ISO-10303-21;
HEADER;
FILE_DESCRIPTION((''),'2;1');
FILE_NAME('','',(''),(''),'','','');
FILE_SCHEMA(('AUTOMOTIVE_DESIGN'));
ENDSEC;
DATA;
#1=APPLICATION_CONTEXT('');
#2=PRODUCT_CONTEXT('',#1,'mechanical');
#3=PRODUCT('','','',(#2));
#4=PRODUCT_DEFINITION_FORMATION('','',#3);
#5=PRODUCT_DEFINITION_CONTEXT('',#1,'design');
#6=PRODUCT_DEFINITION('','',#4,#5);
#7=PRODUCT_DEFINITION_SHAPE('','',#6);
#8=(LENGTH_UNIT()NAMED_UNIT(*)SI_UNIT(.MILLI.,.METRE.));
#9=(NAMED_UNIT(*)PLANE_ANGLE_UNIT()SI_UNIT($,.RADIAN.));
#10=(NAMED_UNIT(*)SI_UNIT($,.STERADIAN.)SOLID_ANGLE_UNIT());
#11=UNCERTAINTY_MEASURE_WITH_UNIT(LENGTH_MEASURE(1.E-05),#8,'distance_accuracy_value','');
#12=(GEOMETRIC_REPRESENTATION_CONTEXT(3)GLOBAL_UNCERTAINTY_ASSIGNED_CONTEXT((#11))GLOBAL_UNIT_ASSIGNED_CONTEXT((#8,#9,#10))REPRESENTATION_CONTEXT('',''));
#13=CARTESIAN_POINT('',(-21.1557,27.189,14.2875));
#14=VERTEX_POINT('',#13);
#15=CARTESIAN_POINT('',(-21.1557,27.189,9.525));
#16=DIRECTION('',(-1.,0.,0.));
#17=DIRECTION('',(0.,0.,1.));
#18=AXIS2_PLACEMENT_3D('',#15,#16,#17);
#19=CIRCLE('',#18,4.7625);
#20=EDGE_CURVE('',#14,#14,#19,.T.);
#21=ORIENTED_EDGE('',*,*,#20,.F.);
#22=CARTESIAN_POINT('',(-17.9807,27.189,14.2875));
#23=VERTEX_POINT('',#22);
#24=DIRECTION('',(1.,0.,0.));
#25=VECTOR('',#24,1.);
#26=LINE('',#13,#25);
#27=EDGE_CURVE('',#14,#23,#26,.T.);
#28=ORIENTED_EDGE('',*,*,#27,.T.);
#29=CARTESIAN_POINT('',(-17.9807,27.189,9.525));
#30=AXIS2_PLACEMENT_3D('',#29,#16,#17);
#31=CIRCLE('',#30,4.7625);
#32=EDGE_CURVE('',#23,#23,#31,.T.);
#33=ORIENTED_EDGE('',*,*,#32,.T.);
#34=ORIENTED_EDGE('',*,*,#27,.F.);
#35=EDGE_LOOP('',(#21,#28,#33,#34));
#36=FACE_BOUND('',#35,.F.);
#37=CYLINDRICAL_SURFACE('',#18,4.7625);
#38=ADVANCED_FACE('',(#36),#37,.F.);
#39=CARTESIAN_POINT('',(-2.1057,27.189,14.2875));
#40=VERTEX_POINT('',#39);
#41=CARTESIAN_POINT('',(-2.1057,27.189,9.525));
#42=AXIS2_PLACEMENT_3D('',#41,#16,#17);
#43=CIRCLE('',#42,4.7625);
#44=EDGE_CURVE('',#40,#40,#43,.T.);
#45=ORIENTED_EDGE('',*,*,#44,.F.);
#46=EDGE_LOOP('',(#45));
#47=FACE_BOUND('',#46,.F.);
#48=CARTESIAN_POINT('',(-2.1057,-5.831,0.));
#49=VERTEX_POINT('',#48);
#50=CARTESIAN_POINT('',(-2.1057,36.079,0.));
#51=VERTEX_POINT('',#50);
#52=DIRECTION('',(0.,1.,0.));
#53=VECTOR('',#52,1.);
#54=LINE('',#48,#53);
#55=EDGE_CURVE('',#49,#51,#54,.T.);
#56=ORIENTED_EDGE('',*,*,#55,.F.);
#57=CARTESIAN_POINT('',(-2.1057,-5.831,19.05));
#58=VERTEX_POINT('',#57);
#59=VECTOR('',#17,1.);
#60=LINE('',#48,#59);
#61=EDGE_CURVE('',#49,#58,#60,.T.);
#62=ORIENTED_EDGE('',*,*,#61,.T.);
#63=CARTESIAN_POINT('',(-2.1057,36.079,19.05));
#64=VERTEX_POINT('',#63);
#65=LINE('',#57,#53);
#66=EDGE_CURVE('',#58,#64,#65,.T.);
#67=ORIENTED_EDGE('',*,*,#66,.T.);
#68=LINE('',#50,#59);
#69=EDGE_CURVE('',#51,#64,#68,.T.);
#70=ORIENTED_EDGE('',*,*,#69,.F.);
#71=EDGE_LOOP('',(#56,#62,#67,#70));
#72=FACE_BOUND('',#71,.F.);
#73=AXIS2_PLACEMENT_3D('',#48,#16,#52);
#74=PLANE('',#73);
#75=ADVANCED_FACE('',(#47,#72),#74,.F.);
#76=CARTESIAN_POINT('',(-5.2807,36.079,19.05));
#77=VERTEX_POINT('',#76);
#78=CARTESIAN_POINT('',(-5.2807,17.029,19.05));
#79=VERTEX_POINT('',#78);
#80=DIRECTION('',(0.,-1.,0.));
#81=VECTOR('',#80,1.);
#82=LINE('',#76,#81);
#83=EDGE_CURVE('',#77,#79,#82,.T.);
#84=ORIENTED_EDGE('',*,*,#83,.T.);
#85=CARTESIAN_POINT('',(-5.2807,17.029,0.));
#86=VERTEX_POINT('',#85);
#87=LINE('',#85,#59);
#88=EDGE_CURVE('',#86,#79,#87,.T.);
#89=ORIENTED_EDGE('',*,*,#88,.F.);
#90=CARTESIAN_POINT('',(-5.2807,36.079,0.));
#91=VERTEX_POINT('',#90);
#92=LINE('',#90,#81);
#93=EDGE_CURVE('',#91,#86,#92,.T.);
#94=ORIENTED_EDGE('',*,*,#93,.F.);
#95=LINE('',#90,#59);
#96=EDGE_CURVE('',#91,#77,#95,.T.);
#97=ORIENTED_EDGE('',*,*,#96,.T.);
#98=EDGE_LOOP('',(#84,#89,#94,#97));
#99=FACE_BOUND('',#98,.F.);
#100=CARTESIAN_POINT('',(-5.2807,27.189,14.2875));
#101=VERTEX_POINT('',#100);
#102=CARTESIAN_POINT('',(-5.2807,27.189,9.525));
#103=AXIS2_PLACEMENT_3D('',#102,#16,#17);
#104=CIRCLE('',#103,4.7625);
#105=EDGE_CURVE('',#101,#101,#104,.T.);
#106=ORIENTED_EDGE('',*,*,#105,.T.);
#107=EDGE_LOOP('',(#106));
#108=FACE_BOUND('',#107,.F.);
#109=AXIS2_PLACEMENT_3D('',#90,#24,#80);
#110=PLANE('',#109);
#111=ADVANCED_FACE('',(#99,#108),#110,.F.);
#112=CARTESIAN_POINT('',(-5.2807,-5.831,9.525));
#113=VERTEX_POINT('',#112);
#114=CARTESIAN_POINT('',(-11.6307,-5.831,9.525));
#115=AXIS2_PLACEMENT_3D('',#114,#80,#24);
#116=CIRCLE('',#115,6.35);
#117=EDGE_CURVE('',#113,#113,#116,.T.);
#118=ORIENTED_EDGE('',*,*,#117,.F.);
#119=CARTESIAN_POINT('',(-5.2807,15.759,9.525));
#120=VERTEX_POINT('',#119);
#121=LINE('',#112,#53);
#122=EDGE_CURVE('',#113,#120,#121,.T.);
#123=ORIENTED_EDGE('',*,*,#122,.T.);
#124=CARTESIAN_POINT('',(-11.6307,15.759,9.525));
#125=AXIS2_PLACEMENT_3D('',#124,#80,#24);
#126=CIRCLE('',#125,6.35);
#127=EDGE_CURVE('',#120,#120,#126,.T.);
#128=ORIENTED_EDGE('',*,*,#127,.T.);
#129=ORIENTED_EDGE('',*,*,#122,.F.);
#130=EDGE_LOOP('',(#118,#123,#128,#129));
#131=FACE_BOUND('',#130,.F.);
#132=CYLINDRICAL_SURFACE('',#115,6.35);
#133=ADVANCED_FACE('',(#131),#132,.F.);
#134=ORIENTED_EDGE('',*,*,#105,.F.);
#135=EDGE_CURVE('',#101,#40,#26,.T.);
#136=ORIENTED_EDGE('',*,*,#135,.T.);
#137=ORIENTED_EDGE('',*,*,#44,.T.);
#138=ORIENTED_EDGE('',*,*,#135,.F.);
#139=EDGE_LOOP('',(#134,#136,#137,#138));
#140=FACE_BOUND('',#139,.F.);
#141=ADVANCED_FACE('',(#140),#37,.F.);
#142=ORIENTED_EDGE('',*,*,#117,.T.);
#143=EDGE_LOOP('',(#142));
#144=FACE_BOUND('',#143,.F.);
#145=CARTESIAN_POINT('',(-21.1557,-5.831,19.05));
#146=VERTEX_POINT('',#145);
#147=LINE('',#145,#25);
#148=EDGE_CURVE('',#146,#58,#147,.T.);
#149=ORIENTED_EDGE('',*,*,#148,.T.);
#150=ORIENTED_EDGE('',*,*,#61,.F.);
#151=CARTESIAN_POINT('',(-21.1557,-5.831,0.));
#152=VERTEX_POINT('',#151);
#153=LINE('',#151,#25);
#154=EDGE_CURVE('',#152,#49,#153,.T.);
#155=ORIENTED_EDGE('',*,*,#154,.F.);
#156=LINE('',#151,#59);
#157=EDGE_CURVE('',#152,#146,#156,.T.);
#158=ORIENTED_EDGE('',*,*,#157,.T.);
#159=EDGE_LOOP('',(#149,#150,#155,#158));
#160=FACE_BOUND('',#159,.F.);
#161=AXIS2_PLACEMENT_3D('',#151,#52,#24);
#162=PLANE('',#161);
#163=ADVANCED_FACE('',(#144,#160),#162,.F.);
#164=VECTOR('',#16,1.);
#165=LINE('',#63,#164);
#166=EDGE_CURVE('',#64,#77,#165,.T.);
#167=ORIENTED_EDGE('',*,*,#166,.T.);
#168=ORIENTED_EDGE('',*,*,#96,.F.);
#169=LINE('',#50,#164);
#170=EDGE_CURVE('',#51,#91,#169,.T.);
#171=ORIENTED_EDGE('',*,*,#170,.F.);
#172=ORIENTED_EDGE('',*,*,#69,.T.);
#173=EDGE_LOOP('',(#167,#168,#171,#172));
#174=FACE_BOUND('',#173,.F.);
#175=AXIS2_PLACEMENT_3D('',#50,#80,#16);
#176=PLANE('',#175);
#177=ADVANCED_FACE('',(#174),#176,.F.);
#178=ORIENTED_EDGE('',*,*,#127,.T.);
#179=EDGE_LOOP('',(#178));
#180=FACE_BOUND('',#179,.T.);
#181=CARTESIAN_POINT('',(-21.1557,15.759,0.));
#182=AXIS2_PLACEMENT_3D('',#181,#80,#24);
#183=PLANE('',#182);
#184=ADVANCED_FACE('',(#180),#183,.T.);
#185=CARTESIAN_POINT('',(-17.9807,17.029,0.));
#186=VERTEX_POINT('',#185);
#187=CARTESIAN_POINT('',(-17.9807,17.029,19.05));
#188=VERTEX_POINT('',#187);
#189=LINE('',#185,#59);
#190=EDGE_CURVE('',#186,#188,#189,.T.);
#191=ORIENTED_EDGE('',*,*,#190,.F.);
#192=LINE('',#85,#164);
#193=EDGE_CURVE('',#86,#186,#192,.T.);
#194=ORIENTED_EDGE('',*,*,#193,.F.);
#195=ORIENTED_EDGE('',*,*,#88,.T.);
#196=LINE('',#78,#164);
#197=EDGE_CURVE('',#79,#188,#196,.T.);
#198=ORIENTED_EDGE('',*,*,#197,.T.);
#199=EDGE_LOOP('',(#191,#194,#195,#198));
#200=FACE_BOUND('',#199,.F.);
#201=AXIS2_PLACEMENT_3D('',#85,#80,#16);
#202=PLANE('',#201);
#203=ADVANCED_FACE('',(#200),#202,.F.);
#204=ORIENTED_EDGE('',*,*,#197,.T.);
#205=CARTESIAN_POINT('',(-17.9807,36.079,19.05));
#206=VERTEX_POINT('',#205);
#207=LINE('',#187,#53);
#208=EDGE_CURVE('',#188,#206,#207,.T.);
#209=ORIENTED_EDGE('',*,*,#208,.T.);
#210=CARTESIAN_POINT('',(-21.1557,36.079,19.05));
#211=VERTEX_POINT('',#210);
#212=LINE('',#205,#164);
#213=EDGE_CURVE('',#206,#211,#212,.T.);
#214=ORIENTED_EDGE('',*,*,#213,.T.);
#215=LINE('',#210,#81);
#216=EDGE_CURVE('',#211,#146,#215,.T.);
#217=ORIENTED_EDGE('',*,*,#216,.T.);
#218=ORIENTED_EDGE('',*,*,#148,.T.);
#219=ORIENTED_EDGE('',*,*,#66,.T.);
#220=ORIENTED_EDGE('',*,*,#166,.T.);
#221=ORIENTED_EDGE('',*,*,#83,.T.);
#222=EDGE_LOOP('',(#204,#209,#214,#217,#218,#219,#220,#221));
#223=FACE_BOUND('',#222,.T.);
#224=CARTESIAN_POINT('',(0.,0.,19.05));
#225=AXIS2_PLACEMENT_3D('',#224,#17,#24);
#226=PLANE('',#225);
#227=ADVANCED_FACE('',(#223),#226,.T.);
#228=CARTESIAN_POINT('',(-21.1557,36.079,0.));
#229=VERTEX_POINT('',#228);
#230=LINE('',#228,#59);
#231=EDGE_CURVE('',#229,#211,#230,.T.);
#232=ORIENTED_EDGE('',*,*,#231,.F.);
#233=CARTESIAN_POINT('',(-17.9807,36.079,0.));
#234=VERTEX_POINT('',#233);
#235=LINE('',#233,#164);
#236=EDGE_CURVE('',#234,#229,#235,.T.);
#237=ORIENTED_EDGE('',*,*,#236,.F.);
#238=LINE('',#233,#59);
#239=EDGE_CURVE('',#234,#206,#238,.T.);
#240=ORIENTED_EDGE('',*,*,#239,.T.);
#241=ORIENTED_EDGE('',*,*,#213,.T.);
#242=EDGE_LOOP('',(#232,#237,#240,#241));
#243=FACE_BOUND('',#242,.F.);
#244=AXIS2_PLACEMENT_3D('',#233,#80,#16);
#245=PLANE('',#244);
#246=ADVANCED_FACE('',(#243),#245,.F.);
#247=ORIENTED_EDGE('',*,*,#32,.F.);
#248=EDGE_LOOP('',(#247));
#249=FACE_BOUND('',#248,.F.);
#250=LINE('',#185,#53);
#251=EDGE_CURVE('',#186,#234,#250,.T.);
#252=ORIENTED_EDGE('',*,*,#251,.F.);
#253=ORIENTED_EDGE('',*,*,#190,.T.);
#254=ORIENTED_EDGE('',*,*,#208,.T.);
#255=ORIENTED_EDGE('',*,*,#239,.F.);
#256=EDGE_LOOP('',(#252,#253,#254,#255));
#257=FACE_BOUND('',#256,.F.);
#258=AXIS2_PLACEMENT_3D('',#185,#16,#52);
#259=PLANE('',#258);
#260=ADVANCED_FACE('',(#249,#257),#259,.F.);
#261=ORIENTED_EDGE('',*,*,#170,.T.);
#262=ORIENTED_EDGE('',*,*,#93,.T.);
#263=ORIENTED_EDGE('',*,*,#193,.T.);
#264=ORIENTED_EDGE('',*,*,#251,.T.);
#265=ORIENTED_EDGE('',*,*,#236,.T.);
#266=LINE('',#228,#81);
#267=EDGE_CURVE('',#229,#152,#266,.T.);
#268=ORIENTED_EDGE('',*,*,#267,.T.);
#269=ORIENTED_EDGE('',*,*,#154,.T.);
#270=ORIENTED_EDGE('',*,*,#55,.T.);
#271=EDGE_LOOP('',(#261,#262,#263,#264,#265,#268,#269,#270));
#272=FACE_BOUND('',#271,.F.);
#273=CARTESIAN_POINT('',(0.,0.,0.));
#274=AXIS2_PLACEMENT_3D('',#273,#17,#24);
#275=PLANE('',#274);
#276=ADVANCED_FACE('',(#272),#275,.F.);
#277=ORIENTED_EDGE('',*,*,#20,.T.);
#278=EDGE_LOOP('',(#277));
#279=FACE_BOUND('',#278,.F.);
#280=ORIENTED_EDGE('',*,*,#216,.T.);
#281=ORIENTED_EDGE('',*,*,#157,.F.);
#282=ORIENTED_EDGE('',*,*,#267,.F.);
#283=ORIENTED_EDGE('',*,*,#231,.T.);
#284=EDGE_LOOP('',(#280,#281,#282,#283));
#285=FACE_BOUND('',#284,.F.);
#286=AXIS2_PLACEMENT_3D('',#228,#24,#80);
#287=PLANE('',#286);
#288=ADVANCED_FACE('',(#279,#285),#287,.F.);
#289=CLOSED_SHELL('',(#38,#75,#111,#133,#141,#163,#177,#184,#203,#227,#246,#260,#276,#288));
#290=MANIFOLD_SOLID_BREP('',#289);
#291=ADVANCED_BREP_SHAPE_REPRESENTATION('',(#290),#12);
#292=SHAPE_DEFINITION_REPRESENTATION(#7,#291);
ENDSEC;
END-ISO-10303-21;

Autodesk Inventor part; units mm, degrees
ref_plane "YZ Plane" through (0, 0, 0) normal (1, 0, 0) x (0, 1, 0)
ref_plane "XZ Plane" through (0, 0, 0) normal (0, 1, 0) x (-1, 0, 0)
ref_plane "XY Plane" through (0, 0, 0) normal (0, 0, 1) x (1, 0, 0)
sketch "Sketch1" plane through (0, 0, 0) normal (0, 0, 1) x (1, 0, 0)
  line L0 (-21.1557, 36.079) -> (-21.1557, -5.831)
  line L1 (-21.1557, -5.831) -> (-2.1057, -5.831)
  line L2 (-2.1057, -5.831) -> (-2.1057, 36.079)
  line L3 (-2.1057, 36.079) -> (-5.2807, 36.079)
  line L4 (-5.2807, 36.079) -> (-5.2807, 17.029)
  line L5 (-5.2807, 17.029) -> (-17.9807, 17.029)
  line L6 (-17.9807, 17.029) -> (-17.9807, 36.079)
  line L7 (-17.9807, 36.079) -> (-21.1557, 36.079)
  point P0 (0, 0)
  dimension "d0" = 19.05
  dimension "d1" = 12.7
  dimension "d2" = 3.175
  dimension "d3" = 3.175
  dimension "d4" = 41.91
  dimension "d5" = 19.05
  dimension "d6" = 0
extrude "Extrusion1" add sketch "Sketch1" along normal blind 19.05
sketch "Sketch2" plane through (-21.1557, -5.831, 0) normal (0, -1, 0) x (1, 0, 0)
  circle A0 centre (9.525, 9.525) radius 6.35
  point P0 (21.1557, 0)
  dimension "d9" = 12.7
extrude "Extrusion2" cut sketch "Sketch2" against normal blind 21.59
sketch "Sketch3" plane through (-21.1557, -5.831, 0) normal (-1, 0, 0) x (0, 0, 1)
  line L0 (0, 41.91) -> (19.05, 41.91) projected
  circle A0 centre (9.525, 33.02) radius 4.7625
  point P0 (0, 5.831)
  dimension "d12" = 9.525
  dimension "d13" = 8.89
extrude "Extrusion3" cut sketch "Sketch3" against normal through all
thread "Thread1" size "1/2-13 UNC" class "2B" standard "ANSI Unified Screw Threads" full length
properties part number "1in Actuator Clovis 1764"
